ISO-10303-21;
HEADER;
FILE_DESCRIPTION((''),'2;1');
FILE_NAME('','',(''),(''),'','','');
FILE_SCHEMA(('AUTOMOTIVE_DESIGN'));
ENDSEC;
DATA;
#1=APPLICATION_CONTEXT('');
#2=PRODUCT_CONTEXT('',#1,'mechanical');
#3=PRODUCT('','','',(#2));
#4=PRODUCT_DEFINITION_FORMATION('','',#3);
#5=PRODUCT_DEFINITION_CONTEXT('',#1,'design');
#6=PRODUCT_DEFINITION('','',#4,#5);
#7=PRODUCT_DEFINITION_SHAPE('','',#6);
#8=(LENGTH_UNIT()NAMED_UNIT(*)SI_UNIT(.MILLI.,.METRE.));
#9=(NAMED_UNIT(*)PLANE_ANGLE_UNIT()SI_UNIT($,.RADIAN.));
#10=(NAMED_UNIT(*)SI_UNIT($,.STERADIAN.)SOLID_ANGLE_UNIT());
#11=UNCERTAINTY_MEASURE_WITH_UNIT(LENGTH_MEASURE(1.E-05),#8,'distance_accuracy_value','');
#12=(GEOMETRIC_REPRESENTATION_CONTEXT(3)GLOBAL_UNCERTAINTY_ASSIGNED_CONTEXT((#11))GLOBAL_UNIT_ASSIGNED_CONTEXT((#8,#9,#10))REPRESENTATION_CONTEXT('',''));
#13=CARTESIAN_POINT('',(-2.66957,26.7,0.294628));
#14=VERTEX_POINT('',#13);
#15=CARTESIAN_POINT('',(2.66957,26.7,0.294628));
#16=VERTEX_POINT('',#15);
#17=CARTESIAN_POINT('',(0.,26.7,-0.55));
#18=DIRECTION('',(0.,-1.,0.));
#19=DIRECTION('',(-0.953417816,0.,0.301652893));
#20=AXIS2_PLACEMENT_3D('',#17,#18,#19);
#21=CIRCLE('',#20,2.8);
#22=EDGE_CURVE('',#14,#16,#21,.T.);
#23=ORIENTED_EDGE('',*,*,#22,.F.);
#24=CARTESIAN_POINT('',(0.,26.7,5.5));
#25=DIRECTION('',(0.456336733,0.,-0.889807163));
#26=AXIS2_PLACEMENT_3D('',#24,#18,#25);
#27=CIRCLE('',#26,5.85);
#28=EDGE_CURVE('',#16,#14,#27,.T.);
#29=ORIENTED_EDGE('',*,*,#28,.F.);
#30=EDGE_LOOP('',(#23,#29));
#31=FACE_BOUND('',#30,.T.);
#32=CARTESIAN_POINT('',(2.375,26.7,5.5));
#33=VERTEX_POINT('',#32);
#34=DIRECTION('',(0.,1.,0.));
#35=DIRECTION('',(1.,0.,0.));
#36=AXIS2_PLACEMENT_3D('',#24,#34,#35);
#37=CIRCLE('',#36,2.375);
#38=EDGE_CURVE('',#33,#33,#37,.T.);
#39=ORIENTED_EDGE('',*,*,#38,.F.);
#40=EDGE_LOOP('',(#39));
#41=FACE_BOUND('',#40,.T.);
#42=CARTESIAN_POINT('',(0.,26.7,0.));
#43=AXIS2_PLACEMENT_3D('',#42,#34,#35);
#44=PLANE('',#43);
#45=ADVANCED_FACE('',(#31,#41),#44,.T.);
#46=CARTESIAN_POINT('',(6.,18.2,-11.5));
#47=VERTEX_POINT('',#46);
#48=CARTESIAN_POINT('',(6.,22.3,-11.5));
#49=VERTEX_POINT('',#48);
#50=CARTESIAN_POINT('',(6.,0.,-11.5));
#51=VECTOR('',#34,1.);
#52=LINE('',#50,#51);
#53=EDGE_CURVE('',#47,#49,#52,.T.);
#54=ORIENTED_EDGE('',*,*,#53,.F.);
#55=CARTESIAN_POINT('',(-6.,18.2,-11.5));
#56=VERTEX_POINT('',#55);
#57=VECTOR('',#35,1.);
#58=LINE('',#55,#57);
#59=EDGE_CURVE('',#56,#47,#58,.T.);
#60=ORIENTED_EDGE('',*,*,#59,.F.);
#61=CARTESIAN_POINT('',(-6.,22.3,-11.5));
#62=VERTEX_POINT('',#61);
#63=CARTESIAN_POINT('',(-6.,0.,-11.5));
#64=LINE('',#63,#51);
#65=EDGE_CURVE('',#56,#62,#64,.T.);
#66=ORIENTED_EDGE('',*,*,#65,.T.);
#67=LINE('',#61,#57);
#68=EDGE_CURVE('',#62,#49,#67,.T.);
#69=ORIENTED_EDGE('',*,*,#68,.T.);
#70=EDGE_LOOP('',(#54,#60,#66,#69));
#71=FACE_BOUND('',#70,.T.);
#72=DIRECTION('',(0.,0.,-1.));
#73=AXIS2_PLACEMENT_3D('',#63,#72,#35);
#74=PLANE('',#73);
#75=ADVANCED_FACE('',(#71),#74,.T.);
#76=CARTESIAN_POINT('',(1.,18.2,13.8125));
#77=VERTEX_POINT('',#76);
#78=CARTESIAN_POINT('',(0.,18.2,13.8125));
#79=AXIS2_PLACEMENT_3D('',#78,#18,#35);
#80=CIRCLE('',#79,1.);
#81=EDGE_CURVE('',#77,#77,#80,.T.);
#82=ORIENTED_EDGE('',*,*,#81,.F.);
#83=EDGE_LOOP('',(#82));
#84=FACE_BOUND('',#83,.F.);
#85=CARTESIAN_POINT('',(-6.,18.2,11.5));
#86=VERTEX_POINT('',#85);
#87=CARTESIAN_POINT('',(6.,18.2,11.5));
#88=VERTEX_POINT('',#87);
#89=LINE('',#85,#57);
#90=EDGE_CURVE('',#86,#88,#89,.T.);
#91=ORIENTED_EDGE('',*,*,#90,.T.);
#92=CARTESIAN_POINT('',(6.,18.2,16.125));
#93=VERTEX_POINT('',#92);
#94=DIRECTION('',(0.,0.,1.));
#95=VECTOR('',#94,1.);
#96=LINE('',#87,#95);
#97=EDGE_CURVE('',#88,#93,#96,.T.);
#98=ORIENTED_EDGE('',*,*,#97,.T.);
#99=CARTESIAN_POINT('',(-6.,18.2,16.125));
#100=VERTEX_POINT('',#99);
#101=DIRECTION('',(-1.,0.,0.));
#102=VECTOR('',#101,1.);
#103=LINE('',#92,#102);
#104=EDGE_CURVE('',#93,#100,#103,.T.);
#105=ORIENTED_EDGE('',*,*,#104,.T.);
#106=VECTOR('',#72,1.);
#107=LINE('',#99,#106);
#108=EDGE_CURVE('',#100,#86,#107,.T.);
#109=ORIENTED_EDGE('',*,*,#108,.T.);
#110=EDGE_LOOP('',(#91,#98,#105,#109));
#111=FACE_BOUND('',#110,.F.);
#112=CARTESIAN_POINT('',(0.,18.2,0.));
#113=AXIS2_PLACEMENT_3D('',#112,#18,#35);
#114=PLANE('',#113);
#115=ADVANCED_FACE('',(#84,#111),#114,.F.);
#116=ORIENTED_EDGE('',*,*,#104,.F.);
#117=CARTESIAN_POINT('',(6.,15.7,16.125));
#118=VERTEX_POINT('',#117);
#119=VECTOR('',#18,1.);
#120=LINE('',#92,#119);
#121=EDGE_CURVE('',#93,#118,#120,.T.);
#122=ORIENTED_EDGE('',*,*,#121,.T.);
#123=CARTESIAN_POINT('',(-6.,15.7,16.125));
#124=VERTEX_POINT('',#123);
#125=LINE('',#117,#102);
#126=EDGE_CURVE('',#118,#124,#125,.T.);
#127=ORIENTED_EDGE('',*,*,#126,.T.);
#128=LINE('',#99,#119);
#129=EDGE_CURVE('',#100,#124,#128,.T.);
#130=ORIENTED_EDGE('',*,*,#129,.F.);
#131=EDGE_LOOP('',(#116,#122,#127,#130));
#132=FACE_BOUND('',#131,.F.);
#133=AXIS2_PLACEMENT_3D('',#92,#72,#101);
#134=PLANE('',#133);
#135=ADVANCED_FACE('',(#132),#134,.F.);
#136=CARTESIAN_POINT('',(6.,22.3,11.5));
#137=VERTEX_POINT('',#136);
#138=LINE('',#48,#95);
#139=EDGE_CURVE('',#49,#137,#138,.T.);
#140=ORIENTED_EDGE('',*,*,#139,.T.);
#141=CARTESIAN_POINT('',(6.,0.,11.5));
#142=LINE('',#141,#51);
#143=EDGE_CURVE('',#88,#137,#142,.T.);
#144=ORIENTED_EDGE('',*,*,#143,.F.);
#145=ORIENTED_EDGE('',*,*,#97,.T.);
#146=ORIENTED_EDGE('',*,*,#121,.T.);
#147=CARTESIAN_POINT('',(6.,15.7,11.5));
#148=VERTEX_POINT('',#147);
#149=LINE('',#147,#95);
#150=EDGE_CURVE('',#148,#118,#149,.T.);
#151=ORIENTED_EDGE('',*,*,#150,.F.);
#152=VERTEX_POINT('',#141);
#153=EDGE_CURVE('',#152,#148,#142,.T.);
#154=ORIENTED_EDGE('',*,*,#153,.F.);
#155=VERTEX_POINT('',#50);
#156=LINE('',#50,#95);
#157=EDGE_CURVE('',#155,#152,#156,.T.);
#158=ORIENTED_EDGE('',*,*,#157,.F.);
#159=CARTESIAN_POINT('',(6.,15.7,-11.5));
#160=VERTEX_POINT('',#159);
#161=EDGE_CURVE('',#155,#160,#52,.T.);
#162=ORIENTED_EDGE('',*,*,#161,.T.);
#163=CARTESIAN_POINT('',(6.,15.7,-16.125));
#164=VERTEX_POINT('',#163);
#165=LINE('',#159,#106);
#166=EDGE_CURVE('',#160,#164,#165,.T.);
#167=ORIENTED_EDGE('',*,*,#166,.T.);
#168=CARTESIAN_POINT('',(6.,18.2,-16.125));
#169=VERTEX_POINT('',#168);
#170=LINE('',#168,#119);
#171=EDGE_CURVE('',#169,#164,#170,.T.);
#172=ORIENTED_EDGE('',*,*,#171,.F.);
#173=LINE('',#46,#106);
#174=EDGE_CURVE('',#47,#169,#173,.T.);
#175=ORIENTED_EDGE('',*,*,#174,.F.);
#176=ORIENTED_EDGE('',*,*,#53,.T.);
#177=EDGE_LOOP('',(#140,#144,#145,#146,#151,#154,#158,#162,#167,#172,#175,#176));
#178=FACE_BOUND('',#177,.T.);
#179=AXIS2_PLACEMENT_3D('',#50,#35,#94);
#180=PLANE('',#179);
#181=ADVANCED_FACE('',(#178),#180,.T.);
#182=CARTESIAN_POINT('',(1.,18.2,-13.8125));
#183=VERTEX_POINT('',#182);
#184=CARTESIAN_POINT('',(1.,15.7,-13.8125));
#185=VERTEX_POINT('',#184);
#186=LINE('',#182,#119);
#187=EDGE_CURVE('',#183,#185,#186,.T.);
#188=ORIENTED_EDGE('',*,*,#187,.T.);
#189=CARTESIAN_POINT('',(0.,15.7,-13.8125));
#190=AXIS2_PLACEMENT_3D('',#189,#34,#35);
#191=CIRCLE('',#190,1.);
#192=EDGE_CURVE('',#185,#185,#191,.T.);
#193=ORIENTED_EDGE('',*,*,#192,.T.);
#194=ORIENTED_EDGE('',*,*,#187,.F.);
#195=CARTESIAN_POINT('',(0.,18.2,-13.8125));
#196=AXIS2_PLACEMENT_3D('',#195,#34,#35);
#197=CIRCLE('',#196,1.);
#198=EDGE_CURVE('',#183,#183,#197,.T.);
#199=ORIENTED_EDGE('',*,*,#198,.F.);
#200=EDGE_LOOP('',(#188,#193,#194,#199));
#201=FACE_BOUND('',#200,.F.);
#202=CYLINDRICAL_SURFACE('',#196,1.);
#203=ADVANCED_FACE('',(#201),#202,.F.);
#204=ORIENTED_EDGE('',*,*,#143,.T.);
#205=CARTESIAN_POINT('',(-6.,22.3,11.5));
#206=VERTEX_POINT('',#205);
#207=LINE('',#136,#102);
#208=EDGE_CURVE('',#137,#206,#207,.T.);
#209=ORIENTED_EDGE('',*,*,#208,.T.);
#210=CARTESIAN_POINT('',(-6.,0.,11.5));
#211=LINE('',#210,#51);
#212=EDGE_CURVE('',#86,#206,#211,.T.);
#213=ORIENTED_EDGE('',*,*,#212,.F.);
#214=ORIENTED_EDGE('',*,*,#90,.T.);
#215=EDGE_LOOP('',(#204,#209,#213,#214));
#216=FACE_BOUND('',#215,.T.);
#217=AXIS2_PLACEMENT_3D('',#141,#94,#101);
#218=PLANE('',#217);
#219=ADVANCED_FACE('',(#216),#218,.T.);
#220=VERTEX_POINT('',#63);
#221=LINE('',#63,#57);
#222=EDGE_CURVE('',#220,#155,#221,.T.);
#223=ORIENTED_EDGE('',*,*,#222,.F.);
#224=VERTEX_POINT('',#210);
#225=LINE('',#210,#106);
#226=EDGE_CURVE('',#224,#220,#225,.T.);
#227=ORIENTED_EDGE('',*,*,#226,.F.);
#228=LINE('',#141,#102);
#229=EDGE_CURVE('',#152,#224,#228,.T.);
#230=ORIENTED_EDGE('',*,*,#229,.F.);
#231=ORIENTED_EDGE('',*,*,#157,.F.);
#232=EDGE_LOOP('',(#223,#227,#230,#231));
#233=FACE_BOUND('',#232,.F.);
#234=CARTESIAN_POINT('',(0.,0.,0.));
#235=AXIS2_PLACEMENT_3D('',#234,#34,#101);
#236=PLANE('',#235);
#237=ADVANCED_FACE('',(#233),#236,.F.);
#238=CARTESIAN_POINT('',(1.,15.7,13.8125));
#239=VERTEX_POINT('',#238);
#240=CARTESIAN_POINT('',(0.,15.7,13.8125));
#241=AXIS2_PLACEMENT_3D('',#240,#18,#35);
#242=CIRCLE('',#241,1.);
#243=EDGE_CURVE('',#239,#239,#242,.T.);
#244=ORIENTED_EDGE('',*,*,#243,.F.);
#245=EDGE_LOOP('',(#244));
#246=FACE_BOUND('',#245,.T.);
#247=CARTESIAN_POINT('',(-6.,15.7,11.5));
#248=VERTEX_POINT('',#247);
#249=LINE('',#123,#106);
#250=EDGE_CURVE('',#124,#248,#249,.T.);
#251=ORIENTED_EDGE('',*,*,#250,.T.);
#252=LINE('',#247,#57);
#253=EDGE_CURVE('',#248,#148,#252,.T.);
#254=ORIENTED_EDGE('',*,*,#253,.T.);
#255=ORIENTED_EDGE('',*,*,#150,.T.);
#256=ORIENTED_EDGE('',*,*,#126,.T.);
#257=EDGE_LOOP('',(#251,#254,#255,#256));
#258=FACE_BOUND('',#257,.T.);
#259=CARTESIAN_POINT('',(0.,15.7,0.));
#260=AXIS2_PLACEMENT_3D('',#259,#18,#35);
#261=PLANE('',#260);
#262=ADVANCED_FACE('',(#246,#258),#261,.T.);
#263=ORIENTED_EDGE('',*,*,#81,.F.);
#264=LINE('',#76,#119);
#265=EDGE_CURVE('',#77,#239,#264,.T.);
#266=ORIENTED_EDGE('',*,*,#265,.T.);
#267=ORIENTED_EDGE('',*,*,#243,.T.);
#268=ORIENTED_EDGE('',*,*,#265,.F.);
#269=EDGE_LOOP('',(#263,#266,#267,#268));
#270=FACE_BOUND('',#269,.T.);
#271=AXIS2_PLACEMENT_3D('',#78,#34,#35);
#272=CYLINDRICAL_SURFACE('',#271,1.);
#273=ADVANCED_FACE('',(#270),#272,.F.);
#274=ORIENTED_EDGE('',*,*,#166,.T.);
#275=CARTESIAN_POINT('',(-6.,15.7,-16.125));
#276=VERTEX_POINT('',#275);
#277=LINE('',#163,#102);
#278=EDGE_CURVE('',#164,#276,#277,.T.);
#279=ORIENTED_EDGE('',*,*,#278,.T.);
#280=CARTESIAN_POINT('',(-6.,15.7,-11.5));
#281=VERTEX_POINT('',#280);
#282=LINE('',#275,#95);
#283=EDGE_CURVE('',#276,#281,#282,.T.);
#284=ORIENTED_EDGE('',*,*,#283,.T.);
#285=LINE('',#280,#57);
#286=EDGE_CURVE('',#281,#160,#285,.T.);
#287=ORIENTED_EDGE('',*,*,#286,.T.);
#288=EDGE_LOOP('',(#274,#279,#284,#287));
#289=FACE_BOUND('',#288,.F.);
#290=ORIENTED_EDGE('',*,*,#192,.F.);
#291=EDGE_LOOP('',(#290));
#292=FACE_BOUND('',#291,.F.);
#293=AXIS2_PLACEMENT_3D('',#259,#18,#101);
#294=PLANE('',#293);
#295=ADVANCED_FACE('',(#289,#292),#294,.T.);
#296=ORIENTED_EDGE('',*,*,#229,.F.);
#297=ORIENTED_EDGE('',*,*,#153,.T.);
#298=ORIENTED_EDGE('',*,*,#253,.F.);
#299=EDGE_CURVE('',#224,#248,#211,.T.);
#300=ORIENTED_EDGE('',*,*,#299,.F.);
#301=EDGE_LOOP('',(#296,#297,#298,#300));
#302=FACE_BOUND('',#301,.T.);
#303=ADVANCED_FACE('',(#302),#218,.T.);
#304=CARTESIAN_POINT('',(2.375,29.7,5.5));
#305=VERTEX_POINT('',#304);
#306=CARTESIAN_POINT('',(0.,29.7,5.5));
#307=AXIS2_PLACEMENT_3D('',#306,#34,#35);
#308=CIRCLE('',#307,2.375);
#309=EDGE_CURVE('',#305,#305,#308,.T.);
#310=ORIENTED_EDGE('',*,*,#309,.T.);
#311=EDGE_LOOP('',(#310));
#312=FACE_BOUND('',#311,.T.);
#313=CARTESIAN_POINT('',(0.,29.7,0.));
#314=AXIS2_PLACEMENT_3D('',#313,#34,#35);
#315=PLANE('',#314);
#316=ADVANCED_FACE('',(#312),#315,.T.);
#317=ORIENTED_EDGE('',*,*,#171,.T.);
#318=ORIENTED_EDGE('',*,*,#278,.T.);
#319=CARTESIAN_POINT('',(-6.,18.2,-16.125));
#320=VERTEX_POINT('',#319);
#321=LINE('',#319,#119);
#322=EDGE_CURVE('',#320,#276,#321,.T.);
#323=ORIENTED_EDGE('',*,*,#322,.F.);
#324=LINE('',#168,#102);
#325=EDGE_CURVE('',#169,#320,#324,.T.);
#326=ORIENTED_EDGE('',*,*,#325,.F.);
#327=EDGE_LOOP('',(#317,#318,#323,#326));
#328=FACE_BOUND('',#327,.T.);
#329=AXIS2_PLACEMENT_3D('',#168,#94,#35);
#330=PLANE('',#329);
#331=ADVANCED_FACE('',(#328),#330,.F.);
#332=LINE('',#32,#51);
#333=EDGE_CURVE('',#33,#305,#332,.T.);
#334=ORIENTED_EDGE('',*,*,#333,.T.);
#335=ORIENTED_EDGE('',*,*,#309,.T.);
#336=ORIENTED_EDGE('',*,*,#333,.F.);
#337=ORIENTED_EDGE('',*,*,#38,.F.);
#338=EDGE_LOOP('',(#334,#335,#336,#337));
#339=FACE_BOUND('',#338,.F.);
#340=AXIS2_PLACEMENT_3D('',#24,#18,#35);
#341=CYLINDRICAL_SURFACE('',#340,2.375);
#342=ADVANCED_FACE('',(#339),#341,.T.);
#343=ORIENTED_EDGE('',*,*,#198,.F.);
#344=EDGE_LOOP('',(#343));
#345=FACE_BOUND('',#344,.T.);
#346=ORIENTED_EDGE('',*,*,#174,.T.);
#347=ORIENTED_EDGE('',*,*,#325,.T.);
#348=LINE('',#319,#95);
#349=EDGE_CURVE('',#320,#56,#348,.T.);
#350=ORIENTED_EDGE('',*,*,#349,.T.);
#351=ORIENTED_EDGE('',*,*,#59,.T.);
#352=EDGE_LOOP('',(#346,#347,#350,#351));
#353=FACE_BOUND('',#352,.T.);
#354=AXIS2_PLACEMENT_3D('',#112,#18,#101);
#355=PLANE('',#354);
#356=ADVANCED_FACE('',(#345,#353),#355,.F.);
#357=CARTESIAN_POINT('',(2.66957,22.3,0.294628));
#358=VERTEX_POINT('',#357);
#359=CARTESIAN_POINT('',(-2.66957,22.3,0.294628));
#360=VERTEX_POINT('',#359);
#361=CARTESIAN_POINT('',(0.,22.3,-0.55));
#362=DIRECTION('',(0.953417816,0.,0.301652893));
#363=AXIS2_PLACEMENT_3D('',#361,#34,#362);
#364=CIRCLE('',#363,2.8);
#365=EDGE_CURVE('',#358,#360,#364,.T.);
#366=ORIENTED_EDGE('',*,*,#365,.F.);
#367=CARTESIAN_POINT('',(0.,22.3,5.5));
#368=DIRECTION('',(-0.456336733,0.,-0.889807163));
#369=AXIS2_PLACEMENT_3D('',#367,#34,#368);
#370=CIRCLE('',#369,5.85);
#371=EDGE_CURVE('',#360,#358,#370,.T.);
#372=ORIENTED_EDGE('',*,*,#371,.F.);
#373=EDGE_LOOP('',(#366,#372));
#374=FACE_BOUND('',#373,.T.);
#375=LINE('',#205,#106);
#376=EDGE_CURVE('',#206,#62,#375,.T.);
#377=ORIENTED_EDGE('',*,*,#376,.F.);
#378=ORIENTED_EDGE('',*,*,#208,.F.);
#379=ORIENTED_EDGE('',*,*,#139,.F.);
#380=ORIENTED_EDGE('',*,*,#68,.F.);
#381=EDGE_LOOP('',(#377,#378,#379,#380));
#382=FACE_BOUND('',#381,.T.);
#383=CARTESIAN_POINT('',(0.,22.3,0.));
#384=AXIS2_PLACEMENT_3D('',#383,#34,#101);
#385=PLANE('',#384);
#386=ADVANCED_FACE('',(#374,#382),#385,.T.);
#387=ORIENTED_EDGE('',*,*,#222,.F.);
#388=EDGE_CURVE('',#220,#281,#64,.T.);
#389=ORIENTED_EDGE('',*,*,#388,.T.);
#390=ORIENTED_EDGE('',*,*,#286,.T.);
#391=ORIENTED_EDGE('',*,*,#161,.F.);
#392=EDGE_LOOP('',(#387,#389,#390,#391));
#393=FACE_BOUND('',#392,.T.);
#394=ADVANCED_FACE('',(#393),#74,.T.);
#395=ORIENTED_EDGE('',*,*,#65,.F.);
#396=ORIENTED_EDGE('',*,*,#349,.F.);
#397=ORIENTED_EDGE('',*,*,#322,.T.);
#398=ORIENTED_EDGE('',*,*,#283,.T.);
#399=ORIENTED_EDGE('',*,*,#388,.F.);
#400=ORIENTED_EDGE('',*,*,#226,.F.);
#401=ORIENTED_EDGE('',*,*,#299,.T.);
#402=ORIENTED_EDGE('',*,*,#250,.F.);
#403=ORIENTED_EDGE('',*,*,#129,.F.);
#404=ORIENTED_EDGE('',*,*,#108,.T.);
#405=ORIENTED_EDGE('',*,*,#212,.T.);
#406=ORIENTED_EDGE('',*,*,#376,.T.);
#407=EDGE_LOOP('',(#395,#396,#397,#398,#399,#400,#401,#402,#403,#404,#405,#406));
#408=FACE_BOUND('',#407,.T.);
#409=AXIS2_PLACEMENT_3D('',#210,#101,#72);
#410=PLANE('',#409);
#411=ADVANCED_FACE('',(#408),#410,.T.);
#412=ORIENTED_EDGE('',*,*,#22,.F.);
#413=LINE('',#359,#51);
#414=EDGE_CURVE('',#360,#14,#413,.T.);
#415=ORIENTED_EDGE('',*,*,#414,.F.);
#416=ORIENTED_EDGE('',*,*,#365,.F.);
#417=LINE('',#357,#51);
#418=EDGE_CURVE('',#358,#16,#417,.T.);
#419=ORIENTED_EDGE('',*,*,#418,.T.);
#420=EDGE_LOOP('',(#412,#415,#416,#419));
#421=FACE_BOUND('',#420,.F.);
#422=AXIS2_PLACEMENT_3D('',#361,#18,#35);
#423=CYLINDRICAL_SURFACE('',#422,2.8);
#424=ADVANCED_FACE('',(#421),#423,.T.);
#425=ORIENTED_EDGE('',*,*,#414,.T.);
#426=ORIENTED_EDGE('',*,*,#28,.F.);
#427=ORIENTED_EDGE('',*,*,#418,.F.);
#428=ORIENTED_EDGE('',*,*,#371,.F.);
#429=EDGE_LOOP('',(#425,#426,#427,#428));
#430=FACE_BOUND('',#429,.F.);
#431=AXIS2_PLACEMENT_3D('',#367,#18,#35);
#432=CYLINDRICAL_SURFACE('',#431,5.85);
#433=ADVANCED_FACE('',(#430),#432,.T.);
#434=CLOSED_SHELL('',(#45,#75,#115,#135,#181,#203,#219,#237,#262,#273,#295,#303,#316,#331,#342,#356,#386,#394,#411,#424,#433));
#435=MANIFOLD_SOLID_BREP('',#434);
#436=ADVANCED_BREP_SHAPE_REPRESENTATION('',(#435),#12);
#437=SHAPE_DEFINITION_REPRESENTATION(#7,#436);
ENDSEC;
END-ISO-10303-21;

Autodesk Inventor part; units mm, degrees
ref_plane "YZ Plane" through (0, 0, 0) normal (1, 0, 0) x (0, 1, 0)
sketch "Sketch1" plane through (0, 0, 0) normal (0, 1, 0) x (-1, 0, 0)
  line L0 (-6, 11.5) -> (6, 11.5)
  line L1 (6, 11.5) -> (6, -11.5)
  line L2 (6, -11.5) -> (-6, -11.5)
  line L3 (-6, -11.5) -> (-6, 11.5)
  point P0 (0, 0)
  point P1 (6, 0)
  point P2 (0, -11.5)
  dimension "d0" = 12
  dimension "d1" = 23
  dimension "d2" = 0
  dimension "d3" = 0
extrude "Extrusion1" add sketch "Sketch1" along normal blind 22.3
ref_plane "Work Plane1" through (0, 18.2, 0) normal (0, -1, 0) x (1, 0, 0)
sketch "Sketch2" plane through (0, 18.2, 0) normal (0, -1, 0) x (1, 0, 0)
  line L0 (-6, -11.5) -> (-6, 11.5) projected
  line L1 (-6, 11.5) -> (6, 11.5)
  line L2 (6, 11.5) -> (6, 16.125)
  line L3 (6, 16.125) -> (-6, 16.125)
  line L4 (-6, 16.125) -> (-6, 11.5)
  circle A0 centre (0, 13.8125) radius 1
  point P0 (0, 0)
  point P1 (0, 16.125)
  point P2 (6, 13.8125)
  dimension "d7" = 12
  dimension "d8" = 4.625
  dimension "d9" = 2
  dimension "d10" = 0
  dimension "d11" = 0
extrude "Extrusion2" add sketch "Sketch2" along normal blind 2.5
ref_plane "Work Plane2" through (-6, 0, 0) normal (0, 0, 1) x (1, 0, 0)
mirror "Mirror1" about plane through (-6, 0, 0) normal (0, 0, 1) of "Extrusion2"
sketch "Sketch3" plane through (0, 22.3, 0) normal (0, 1, 0) x (1, 0, 0)
  line L0 (6, 11.5) -> (-6, 11.5) projected
  line L1 (-6, 11.5) -> (-6, -11.5) projected
  line L2 (-6, -11.5) -> (6, -11.5) projected
  line L3 (6, -11.5) -> (6, 11.5) projected
  circle A0 centre (0, -5.5) radius 5.85
  circle A1 centre (0, 0.55) radius 2.8
  point P0 (0, 0)
  point P1 (0, -11.5)
  point P2 (2.6696, -0.2946)
  point P3 (-2.6696, -0.2946)
  dimension "d16" = 11.7
  dimension "d17" = 0
  dimension "d18" = 6
  dimension "d21" = 5.6
  dimension "d22" = 0
  dimension "d23" = 6.05
extrude "Extrusion3" add sketch "Sketch3" along normal blind 4.4 contours A0 A1 | A1 A0 | A0 A1
sketch "Sketch4" plane through (0, 26.7, 0) normal (0, 1, 0) x (1, 0, 0)
  arc A0 (-2.6696, -0.2946) -> (2.6696, -0.2946) centre (0, -5.5) ccw projected
  arc A1 (2.6696, -0.2946) -> (-2.6696, -0.2946) centre (0, 0.55) ccw projected
  circle A2 centre (0, -5.5) radius 2.375
  point P0 (0, 0)
  dimension "d24" = 4.75
extrude "Extrusion4" add sketch "Sketch4" along normal blind 3 contours A2
properties part number "Servo Motor"
